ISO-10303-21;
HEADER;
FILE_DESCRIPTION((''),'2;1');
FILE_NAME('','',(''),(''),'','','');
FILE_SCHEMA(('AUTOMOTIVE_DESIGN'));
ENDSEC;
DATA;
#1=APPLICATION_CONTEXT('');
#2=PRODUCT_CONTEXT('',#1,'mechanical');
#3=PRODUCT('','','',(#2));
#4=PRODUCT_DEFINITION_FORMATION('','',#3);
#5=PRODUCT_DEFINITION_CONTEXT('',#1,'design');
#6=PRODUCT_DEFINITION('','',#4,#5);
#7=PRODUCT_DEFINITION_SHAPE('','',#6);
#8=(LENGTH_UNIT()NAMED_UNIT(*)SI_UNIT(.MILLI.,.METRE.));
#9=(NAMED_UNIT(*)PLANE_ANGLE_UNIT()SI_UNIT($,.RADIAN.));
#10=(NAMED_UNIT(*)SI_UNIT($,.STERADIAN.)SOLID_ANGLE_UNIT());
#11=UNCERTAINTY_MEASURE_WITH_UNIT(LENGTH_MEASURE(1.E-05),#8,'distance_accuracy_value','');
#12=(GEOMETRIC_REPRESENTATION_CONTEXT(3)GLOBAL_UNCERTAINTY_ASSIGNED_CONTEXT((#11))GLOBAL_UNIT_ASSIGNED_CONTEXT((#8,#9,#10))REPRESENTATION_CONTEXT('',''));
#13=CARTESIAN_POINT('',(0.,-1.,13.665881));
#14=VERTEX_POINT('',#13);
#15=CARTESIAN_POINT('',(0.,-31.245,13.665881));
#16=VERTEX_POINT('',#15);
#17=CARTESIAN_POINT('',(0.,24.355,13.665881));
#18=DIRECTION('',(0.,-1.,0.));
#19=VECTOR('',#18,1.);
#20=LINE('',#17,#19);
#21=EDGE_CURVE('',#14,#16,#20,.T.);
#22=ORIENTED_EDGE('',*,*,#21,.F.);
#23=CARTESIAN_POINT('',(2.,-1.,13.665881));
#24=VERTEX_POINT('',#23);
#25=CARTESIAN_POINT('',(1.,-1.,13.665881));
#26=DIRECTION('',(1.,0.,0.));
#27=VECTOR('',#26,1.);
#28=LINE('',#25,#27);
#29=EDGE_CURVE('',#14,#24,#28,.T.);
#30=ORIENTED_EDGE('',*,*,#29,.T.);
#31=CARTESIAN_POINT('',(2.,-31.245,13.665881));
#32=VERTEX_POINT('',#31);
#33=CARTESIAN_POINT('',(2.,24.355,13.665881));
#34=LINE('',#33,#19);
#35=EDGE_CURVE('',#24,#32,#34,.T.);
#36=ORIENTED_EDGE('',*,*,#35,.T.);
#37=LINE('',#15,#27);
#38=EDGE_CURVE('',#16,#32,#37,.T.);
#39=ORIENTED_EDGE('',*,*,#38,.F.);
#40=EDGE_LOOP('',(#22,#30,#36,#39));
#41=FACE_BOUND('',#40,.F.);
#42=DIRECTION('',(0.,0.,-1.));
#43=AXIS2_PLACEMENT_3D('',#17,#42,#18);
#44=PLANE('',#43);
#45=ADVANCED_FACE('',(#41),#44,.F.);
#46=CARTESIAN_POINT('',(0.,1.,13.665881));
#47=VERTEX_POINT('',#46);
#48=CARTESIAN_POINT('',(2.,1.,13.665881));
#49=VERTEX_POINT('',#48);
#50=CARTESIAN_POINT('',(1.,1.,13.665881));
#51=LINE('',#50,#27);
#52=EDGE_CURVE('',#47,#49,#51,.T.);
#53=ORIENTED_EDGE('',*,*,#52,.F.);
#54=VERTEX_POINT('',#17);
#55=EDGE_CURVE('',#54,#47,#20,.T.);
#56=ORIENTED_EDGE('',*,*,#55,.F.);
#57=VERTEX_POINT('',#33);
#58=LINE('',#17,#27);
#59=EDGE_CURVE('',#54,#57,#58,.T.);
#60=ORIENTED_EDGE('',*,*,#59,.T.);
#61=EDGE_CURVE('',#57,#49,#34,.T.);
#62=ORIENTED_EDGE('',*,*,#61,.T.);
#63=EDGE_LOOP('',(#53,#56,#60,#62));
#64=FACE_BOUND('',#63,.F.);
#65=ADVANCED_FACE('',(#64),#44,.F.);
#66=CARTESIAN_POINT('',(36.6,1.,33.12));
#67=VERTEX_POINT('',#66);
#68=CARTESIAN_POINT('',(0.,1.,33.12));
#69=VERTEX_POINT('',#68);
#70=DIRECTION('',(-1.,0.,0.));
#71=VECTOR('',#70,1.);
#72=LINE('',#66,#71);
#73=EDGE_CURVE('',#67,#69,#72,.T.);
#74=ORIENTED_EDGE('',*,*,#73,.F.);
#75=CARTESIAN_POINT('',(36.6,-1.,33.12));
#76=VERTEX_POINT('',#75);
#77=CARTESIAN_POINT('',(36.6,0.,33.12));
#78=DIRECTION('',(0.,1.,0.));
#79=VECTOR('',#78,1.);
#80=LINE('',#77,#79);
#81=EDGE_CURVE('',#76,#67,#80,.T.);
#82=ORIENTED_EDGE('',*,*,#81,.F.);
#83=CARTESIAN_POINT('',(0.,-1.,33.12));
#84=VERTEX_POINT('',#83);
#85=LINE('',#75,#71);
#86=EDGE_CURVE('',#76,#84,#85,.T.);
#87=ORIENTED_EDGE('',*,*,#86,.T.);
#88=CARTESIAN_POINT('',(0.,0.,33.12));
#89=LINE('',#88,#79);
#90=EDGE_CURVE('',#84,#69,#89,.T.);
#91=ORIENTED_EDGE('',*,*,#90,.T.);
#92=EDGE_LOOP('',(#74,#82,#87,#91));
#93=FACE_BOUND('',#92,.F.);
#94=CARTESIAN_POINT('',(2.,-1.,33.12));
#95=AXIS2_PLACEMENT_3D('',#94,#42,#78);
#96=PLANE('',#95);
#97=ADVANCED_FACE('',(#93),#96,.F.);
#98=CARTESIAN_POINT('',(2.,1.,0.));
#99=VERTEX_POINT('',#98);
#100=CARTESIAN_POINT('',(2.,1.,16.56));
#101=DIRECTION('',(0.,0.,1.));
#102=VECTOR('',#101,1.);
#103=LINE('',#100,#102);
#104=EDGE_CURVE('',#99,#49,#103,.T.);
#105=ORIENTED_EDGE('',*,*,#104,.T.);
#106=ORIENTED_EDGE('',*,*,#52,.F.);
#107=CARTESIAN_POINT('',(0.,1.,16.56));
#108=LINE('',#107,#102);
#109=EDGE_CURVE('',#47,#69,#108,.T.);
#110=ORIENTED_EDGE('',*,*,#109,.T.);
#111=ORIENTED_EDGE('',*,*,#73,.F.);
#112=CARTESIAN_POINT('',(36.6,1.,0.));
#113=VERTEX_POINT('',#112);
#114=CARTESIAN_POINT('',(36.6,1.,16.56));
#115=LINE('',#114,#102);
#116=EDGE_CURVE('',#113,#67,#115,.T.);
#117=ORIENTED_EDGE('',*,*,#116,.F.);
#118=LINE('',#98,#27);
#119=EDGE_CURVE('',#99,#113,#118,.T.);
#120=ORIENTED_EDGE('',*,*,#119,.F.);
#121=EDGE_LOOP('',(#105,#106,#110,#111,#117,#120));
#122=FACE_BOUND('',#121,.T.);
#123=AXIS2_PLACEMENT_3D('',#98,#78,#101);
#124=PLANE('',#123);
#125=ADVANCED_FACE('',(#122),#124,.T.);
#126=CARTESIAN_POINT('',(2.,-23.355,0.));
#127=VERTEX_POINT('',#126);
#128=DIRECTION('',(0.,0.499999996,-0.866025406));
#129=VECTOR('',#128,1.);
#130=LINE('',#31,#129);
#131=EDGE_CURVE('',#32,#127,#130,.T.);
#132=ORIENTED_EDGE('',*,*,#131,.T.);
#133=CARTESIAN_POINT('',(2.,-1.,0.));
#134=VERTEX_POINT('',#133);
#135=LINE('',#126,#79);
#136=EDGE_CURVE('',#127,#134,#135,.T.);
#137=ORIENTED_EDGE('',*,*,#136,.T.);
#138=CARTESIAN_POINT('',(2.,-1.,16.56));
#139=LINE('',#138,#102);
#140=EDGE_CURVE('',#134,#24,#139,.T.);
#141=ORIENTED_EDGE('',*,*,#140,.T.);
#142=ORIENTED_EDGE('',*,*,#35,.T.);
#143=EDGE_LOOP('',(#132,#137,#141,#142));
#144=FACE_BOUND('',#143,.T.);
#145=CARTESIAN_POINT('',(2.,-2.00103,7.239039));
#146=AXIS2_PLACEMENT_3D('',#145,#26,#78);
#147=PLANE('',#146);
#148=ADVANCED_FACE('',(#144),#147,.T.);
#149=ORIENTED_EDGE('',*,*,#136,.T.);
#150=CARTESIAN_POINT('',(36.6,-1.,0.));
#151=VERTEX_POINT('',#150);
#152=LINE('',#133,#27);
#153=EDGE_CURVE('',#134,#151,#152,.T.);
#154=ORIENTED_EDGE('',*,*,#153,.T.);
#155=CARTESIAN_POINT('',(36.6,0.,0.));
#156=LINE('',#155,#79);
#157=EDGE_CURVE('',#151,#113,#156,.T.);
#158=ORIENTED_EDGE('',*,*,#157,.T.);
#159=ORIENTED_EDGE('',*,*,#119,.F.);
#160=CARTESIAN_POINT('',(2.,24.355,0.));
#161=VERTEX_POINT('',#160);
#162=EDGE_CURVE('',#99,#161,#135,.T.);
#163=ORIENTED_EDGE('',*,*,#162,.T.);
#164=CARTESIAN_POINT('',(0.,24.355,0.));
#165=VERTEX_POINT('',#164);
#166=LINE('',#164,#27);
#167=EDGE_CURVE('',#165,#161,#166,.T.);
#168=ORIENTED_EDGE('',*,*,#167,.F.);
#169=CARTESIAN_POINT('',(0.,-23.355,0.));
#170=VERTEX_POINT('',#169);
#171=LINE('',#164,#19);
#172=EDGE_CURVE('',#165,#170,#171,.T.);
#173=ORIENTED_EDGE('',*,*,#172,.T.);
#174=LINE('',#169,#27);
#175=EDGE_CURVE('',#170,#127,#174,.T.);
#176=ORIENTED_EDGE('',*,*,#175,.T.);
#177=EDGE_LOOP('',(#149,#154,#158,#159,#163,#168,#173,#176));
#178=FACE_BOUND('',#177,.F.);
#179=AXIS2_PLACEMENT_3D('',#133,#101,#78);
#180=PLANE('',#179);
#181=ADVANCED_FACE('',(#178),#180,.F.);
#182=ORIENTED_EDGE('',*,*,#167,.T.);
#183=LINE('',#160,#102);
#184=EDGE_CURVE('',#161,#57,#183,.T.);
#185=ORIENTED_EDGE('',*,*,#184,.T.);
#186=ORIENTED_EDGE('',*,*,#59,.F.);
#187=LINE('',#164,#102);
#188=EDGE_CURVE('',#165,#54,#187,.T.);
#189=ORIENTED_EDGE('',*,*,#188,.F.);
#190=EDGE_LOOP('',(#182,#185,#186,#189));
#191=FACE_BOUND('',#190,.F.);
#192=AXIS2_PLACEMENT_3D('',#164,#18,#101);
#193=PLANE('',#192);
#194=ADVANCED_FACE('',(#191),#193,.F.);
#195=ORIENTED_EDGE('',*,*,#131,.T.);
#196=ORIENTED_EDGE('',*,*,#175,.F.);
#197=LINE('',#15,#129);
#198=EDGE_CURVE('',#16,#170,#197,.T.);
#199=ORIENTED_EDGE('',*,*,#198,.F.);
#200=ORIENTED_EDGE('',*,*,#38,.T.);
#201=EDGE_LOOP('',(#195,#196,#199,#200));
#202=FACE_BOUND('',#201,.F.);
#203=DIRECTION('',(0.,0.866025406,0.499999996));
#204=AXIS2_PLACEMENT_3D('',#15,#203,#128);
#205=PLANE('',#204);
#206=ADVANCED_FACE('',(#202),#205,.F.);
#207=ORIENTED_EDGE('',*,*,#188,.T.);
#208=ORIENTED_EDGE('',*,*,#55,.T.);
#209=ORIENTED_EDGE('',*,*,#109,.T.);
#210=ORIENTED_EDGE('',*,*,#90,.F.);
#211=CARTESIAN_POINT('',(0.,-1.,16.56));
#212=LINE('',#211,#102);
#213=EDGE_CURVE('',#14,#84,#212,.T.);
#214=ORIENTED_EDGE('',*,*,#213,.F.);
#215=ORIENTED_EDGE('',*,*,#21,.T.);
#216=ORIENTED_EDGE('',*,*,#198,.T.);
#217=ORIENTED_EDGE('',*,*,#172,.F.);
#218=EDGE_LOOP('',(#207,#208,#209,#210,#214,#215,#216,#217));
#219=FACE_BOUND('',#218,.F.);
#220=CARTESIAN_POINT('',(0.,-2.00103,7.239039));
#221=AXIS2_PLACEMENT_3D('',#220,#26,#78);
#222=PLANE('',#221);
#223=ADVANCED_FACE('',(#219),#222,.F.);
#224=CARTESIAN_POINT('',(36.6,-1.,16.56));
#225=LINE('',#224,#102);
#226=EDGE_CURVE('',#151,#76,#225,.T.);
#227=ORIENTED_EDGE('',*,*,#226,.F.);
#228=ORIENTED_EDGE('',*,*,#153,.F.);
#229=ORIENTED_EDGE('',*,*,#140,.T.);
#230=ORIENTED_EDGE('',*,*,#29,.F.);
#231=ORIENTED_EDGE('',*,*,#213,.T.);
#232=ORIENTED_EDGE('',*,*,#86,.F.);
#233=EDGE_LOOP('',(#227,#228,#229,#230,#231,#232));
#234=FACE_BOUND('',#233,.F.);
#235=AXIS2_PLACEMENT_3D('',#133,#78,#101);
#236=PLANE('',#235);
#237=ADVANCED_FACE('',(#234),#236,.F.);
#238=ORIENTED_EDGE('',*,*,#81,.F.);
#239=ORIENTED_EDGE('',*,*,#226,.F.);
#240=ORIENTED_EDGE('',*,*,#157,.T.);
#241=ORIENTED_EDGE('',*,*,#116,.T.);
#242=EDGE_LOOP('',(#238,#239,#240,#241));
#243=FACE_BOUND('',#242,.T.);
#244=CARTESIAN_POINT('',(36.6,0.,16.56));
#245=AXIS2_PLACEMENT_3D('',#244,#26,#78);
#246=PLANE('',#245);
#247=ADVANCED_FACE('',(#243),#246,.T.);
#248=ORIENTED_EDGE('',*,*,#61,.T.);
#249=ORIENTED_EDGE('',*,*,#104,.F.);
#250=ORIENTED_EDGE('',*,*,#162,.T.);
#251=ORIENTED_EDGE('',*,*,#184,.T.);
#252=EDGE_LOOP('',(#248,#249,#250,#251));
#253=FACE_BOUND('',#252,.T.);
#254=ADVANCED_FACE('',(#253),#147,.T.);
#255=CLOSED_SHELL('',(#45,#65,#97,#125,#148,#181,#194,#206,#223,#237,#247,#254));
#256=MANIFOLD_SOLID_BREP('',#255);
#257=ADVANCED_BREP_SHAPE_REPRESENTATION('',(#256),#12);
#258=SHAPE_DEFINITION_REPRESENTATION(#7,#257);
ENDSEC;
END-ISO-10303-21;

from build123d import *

# Parameters (mm, degrees)
PAD_DEPTH         = 2
SKETCH001_W       = 2
SKETCH001_H       = 33.12
PAD001_DEPTH      = 34.6
PAD001_DEPTH_BACK = 2


with BuildPart() as part:
    # Sketch → Pad (new body)
    with BuildSketch(Plane.YZ):
        Polygon((-23.355, 0), (24.355, 0), (24.355, 13.665881), (-31.245, 13.665881), align=None)
    extrude(amount=PAD_DEPTH)

    # Sketch001 (on Face6 of Pad) → Pad001 (join, two sides)
    with BuildSketch(Plane.YZ.offset(2)) as pad001_sk:
        with Locations((0, 16.56)):
            Rectangle(SKETCH001_W, SKETCH001_H)
    extrude(amount=PAD001_DEPTH)
    extrude(pad001_sk.sketch, amount=-PAD001_DEPTH_BACK)


solid = part.part
